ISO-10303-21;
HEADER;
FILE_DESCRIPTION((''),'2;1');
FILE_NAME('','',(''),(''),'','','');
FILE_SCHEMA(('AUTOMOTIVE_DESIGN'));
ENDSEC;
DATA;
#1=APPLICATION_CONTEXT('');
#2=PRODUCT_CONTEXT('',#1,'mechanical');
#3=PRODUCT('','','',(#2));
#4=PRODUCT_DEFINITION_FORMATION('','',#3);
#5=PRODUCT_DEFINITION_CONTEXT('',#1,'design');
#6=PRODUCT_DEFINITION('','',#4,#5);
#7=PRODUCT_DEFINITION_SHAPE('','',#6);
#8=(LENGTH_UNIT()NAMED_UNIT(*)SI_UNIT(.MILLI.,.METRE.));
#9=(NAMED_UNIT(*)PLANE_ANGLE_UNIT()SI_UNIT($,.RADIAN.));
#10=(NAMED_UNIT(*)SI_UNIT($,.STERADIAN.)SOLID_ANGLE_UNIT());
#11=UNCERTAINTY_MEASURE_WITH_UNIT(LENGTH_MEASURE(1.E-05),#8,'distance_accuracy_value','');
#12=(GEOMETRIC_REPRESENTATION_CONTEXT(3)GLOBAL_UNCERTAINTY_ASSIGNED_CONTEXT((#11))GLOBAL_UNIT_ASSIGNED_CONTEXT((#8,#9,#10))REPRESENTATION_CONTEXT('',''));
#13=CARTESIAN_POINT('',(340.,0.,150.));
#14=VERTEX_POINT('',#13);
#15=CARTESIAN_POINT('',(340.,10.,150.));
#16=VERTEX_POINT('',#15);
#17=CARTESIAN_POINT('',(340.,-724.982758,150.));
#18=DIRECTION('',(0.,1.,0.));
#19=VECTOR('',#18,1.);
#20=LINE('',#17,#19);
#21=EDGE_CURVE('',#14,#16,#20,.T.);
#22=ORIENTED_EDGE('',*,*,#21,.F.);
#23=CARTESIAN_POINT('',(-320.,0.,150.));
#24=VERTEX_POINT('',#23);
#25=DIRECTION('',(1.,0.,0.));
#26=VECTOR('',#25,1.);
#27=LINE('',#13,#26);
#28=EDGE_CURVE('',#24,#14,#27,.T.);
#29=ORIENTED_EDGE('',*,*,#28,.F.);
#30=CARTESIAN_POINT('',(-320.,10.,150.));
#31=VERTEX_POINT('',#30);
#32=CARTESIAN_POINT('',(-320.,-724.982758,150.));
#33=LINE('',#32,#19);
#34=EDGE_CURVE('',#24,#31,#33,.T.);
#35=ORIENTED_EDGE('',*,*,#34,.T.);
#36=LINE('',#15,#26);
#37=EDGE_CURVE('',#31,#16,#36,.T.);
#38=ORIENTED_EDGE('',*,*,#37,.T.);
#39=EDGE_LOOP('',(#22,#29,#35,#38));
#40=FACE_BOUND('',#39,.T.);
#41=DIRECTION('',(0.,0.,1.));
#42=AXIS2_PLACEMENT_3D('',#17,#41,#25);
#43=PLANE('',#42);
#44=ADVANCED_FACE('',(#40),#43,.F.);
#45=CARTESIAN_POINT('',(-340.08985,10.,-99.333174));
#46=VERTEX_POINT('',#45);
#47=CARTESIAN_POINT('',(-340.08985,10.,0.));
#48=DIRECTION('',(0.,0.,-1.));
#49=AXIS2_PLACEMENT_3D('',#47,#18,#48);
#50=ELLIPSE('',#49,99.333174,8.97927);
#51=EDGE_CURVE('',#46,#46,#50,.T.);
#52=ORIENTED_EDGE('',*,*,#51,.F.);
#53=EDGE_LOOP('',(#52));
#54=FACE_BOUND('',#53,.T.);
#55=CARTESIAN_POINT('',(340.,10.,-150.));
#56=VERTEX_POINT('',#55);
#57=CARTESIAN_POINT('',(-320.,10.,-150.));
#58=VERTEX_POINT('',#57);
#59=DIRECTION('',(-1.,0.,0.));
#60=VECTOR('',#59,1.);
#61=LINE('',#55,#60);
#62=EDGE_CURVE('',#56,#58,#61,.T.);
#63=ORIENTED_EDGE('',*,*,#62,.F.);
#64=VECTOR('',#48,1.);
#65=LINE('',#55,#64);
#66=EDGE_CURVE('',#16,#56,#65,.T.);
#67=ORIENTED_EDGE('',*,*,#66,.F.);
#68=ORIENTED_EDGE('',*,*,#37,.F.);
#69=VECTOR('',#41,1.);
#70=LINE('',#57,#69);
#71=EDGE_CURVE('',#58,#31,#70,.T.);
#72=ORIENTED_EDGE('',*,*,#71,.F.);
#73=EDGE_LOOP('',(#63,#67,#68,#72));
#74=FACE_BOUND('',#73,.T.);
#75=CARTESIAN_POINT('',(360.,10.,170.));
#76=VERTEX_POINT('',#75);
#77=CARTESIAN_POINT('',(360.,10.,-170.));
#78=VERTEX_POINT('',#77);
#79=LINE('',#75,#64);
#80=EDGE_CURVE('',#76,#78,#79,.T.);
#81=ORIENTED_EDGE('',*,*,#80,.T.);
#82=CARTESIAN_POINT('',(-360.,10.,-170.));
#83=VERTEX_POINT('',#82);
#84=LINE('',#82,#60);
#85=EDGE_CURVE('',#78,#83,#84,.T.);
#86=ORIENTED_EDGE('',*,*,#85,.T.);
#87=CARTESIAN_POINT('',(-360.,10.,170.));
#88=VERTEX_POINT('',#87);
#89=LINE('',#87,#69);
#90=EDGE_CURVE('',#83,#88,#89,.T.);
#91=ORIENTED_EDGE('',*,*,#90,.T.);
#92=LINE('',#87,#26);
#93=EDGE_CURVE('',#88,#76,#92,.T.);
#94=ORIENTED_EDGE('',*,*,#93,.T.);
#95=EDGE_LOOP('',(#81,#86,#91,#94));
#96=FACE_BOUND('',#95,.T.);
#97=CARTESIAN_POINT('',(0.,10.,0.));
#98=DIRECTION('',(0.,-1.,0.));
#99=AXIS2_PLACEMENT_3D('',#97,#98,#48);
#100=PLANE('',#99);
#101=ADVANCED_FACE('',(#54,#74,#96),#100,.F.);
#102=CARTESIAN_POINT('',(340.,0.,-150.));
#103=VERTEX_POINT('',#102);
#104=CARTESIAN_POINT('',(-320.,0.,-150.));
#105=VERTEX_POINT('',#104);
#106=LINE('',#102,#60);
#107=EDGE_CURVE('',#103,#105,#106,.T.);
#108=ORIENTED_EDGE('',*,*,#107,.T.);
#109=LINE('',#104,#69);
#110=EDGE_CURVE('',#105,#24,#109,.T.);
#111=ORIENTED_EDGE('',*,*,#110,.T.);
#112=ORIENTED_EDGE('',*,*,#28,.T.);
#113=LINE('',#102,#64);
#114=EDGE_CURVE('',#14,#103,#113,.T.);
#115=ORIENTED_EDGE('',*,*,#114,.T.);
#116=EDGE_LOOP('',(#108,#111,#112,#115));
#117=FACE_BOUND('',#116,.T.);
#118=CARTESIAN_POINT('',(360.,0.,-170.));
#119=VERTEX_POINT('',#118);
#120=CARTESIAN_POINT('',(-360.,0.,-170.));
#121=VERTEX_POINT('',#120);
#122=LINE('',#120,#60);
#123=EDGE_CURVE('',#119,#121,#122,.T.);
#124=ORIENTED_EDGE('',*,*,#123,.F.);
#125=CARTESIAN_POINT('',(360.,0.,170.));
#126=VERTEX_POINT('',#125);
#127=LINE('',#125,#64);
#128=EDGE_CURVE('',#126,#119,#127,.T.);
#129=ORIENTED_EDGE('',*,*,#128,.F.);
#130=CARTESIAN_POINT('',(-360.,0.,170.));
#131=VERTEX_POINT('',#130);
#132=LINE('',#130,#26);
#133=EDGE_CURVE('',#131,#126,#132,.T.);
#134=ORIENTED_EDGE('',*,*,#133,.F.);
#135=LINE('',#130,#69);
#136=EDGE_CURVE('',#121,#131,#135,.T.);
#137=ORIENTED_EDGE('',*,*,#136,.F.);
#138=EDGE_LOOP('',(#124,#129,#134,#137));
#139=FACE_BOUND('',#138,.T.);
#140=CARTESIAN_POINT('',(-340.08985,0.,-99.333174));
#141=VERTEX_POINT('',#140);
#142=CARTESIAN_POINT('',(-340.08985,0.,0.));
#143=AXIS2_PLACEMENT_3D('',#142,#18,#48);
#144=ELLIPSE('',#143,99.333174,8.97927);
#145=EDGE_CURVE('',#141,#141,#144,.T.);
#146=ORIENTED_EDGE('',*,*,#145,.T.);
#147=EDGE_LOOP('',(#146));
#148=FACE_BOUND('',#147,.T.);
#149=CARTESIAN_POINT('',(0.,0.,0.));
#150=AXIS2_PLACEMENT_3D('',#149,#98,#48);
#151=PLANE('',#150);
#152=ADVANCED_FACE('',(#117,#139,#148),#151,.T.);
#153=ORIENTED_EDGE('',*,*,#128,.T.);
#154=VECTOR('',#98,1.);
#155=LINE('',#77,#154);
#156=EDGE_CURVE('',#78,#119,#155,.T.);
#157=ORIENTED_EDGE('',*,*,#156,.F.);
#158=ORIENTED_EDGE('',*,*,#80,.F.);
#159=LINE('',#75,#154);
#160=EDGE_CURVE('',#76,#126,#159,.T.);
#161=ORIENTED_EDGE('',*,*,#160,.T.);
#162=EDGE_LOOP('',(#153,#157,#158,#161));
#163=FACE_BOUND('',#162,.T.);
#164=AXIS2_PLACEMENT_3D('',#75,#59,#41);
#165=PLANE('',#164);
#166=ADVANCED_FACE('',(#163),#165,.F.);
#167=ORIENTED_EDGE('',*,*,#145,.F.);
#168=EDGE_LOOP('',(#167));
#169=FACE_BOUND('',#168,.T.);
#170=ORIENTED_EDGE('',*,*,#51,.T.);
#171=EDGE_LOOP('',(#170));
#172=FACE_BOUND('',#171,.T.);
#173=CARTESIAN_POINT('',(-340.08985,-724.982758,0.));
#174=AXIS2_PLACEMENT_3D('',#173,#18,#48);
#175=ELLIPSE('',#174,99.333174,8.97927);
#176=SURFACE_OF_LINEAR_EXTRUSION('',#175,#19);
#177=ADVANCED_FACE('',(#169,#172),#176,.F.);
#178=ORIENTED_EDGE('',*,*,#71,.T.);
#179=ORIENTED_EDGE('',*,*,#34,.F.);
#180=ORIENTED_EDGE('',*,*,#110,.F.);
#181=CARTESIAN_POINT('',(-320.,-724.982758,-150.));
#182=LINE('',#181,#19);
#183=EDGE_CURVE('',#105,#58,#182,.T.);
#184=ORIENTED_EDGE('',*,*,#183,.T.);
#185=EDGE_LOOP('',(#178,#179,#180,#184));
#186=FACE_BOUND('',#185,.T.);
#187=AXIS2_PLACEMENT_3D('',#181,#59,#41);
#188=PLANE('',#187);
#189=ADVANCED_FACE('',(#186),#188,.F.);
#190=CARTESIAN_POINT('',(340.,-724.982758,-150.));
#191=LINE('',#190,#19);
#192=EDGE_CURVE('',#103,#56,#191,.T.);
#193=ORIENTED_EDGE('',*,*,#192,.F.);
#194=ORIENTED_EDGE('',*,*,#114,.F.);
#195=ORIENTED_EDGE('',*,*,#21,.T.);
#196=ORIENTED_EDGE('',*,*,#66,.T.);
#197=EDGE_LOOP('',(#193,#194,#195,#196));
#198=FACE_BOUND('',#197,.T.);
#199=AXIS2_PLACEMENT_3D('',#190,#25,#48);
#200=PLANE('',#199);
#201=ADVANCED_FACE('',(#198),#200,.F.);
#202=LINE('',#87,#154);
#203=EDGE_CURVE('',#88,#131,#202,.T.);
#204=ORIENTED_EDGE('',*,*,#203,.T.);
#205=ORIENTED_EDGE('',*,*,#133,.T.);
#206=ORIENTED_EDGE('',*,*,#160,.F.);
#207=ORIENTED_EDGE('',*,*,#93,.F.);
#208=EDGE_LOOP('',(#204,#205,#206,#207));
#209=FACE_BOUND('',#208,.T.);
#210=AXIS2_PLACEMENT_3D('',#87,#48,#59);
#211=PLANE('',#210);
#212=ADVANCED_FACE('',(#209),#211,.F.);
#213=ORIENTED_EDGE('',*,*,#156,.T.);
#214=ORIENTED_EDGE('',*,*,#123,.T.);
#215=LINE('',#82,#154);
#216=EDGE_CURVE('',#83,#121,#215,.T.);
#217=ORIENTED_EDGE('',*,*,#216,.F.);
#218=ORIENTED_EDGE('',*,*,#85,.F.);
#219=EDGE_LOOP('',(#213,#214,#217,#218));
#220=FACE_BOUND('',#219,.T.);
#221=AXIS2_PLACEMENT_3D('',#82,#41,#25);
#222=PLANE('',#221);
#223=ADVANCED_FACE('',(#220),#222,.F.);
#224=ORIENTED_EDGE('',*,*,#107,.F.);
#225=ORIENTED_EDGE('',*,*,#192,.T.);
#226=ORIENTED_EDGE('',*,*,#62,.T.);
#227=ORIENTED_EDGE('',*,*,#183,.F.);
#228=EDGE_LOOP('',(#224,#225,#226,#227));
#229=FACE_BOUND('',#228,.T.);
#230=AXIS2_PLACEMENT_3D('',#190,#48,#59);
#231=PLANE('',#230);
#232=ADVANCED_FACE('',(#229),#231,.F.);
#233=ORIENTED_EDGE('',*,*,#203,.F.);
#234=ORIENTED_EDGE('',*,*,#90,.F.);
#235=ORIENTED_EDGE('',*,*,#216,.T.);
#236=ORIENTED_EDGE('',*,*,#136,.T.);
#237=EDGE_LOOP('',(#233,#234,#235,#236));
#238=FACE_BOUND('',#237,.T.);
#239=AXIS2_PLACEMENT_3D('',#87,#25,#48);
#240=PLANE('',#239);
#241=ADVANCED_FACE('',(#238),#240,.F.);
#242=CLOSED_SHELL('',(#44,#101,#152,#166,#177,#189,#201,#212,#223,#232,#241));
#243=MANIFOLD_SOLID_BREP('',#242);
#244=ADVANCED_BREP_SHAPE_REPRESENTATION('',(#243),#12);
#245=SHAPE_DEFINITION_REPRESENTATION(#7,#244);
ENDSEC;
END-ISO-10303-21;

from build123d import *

# Parameters (mm, degrees)
CROQUIS1_W              = 720
CROQUIS1_H              = 340
SALIENTE_EXTRUIR1_DEPTH = 10
CROQUIS3_RX             = 99.333174073
CROQUIS3_RY             = 8.979269973
CROQUIS3_W              = 660
CROQUIS3_H              = 300
CORTAR_EXTRUIR2_DEPTH   = 10


with BuildPart() as part:
    # Croquis1 → Saliente-Extruir1 (new body)
    with BuildSketch(Plane(origin=(0, 0, 0), x_dir=(1, 0, 0), z_dir=(0, 1, 0))):
        Rectangle(CROQUIS1_W, CROQUIS1_H)
    extrude(amount=SALIENTE_EXTRUIR1_DEPTH)

    # Croquis3 → Cortar-Extruir2 (cut)
    with BuildSketch(Plane(origin=(0, 10, 0), x_dir=(1, 0, 0), z_dir=(0, 1, 0))):
        with Locations(Location((-340.089850217, 0), (0, 0, 90))):
            Ellipse(CROQUIS3_RX, CROQUIS3_RY)
        with Locations((10, 0)):
            Rectangle(CROQUIS3_W, CROQUIS3_H)
    extrude(amount=-CORTAR_EXTRUIR2_DEPTH, mode=Mode.SUBTRACT)


solid = part.part
